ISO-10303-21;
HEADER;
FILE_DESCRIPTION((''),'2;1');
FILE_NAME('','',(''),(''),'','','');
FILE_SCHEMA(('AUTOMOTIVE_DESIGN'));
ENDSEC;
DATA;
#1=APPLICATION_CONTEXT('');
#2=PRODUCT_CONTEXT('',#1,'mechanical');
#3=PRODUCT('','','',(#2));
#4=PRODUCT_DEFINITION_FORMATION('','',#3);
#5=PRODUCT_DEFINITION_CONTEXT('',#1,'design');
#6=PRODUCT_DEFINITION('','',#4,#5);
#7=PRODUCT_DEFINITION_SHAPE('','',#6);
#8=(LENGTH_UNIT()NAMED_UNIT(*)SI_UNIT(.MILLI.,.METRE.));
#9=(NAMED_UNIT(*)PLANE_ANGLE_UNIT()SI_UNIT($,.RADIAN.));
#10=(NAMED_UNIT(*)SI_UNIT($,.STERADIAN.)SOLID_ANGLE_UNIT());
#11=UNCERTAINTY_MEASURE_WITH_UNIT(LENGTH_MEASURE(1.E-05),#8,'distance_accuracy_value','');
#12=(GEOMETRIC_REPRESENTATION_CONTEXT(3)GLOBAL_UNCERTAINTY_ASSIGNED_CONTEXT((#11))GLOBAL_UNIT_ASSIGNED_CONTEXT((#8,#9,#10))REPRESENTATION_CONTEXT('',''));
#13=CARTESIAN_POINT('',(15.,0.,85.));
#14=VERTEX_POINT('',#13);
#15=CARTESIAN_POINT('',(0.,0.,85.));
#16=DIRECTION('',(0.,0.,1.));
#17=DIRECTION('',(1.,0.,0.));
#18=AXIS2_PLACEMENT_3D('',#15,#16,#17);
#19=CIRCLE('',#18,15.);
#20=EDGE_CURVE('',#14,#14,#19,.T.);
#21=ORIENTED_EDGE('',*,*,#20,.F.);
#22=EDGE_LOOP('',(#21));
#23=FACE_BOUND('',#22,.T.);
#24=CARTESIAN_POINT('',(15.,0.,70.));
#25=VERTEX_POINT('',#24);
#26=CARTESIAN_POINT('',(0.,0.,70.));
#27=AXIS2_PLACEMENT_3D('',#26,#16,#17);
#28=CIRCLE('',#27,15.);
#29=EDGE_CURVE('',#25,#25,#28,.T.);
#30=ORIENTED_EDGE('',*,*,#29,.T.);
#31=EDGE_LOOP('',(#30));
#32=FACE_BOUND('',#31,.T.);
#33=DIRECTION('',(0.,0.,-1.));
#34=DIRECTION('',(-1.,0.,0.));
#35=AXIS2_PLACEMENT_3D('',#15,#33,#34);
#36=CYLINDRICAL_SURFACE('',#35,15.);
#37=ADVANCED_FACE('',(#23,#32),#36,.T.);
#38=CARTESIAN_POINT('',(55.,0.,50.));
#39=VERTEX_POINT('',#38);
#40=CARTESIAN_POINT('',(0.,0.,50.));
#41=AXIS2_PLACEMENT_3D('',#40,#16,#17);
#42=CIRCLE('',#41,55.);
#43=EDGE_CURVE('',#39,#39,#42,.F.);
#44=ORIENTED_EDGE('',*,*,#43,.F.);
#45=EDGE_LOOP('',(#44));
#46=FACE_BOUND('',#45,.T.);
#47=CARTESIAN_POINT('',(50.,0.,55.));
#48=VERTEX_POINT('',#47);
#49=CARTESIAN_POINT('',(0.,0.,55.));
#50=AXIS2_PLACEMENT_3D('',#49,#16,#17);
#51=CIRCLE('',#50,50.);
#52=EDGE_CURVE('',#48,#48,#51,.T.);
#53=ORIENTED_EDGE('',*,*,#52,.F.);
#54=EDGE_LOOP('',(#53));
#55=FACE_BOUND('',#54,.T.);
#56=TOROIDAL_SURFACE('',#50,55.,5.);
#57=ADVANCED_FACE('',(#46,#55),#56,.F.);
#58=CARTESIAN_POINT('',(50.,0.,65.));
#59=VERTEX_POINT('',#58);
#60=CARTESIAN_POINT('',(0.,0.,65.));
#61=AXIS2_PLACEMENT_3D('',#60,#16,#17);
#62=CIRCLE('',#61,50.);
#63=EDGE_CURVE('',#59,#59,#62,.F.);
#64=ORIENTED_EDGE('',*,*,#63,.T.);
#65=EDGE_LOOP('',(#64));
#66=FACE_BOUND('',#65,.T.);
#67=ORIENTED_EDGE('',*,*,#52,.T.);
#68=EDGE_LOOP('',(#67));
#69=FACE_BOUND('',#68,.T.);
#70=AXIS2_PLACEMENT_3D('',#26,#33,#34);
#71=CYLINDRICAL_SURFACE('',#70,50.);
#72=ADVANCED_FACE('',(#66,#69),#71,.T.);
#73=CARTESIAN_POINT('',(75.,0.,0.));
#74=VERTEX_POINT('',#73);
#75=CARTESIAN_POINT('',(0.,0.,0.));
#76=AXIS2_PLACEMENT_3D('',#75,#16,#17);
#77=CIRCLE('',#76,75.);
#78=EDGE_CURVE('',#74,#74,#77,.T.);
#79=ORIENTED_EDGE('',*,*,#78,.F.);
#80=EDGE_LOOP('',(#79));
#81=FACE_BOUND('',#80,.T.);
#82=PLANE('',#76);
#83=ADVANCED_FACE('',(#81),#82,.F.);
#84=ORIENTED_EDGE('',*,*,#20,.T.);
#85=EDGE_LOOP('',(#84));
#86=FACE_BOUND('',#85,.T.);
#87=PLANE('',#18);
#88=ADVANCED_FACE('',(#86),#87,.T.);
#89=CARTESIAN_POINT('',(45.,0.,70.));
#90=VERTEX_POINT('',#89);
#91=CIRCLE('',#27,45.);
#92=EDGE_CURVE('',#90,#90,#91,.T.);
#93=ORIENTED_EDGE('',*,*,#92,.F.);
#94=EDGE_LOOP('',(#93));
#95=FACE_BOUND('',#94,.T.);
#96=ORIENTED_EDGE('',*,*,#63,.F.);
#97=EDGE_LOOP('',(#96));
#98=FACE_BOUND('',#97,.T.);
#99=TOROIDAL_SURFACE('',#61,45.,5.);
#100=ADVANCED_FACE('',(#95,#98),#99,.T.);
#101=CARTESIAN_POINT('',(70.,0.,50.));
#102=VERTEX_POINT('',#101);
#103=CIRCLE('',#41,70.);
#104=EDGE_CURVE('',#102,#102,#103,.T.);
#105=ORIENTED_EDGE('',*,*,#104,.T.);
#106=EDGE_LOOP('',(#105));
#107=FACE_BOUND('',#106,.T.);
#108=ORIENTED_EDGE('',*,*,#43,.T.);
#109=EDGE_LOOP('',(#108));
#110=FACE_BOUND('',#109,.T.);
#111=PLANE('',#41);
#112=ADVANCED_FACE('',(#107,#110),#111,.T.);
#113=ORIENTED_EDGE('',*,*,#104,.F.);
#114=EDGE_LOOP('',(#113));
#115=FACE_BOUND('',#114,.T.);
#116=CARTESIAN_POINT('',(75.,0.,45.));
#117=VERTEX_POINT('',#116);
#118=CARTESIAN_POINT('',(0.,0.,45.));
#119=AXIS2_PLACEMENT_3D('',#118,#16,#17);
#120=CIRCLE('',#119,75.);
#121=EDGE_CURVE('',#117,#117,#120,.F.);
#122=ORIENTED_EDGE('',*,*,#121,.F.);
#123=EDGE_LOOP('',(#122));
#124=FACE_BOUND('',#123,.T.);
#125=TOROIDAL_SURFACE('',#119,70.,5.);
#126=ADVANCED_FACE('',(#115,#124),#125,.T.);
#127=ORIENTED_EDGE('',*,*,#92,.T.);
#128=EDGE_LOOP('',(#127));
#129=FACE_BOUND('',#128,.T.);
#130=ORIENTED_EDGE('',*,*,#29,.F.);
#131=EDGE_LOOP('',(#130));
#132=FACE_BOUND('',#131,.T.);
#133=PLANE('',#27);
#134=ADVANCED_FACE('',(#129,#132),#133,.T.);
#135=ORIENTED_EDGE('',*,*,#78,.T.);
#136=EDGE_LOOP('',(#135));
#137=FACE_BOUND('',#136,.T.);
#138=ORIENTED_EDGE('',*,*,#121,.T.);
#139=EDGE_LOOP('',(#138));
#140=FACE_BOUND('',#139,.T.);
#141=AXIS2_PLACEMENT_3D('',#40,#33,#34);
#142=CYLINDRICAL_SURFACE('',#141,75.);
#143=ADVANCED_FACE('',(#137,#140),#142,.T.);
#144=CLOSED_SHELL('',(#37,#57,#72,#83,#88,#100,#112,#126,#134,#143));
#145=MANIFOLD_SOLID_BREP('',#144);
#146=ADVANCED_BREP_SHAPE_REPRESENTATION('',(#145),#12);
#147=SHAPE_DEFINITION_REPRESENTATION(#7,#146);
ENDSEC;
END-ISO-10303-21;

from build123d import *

# Parameters (mm, degrees)
SKETCH1_R           = 75
BOSS_EXTRUDE1_DEPTH = 50
SKETCH2_R           = 50
BOSS_EXTRUDE2_DEPTH = 20
SKETCH3_R           = 15
BOSS_EXTRUDE3_DEPTH = 15
FILLET1_R           = 5


with BuildPart() as part:
    # Sketch1 → Boss-Extrude1 (new body)
    with BuildSketch(Plane.XY):
        Circle(SKETCH1_R)
    extrude(amount=BOSS_EXTRUDE1_DEPTH)

    # Sketch2 → Boss-Extrude2 (add)
    with BuildSketch(Plane.XY.offset(50)):
        Circle(SKETCH2_R)
    extrude(amount=BOSS_EXTRUDE2_DEPTH)

    # Sketch3 → Boss-Extrude3 (add)
    with BuildSketch(Plane.XY.offset(70)):
        Circle(SKETCH3_R)
    extrude(amount=BOSS_EXTRUDE3_DEPTH)

    # Fillet1
    fillet1_edges = [part.edges().sort_by_distance(p)[0] for p in [
        (-75, 0, 50),
        (-50, 0, 50),
        (-50, 0, 70),
    ]]
    fillet(fillet1_edges, radius=FILLET1_R)


solid = part.part
